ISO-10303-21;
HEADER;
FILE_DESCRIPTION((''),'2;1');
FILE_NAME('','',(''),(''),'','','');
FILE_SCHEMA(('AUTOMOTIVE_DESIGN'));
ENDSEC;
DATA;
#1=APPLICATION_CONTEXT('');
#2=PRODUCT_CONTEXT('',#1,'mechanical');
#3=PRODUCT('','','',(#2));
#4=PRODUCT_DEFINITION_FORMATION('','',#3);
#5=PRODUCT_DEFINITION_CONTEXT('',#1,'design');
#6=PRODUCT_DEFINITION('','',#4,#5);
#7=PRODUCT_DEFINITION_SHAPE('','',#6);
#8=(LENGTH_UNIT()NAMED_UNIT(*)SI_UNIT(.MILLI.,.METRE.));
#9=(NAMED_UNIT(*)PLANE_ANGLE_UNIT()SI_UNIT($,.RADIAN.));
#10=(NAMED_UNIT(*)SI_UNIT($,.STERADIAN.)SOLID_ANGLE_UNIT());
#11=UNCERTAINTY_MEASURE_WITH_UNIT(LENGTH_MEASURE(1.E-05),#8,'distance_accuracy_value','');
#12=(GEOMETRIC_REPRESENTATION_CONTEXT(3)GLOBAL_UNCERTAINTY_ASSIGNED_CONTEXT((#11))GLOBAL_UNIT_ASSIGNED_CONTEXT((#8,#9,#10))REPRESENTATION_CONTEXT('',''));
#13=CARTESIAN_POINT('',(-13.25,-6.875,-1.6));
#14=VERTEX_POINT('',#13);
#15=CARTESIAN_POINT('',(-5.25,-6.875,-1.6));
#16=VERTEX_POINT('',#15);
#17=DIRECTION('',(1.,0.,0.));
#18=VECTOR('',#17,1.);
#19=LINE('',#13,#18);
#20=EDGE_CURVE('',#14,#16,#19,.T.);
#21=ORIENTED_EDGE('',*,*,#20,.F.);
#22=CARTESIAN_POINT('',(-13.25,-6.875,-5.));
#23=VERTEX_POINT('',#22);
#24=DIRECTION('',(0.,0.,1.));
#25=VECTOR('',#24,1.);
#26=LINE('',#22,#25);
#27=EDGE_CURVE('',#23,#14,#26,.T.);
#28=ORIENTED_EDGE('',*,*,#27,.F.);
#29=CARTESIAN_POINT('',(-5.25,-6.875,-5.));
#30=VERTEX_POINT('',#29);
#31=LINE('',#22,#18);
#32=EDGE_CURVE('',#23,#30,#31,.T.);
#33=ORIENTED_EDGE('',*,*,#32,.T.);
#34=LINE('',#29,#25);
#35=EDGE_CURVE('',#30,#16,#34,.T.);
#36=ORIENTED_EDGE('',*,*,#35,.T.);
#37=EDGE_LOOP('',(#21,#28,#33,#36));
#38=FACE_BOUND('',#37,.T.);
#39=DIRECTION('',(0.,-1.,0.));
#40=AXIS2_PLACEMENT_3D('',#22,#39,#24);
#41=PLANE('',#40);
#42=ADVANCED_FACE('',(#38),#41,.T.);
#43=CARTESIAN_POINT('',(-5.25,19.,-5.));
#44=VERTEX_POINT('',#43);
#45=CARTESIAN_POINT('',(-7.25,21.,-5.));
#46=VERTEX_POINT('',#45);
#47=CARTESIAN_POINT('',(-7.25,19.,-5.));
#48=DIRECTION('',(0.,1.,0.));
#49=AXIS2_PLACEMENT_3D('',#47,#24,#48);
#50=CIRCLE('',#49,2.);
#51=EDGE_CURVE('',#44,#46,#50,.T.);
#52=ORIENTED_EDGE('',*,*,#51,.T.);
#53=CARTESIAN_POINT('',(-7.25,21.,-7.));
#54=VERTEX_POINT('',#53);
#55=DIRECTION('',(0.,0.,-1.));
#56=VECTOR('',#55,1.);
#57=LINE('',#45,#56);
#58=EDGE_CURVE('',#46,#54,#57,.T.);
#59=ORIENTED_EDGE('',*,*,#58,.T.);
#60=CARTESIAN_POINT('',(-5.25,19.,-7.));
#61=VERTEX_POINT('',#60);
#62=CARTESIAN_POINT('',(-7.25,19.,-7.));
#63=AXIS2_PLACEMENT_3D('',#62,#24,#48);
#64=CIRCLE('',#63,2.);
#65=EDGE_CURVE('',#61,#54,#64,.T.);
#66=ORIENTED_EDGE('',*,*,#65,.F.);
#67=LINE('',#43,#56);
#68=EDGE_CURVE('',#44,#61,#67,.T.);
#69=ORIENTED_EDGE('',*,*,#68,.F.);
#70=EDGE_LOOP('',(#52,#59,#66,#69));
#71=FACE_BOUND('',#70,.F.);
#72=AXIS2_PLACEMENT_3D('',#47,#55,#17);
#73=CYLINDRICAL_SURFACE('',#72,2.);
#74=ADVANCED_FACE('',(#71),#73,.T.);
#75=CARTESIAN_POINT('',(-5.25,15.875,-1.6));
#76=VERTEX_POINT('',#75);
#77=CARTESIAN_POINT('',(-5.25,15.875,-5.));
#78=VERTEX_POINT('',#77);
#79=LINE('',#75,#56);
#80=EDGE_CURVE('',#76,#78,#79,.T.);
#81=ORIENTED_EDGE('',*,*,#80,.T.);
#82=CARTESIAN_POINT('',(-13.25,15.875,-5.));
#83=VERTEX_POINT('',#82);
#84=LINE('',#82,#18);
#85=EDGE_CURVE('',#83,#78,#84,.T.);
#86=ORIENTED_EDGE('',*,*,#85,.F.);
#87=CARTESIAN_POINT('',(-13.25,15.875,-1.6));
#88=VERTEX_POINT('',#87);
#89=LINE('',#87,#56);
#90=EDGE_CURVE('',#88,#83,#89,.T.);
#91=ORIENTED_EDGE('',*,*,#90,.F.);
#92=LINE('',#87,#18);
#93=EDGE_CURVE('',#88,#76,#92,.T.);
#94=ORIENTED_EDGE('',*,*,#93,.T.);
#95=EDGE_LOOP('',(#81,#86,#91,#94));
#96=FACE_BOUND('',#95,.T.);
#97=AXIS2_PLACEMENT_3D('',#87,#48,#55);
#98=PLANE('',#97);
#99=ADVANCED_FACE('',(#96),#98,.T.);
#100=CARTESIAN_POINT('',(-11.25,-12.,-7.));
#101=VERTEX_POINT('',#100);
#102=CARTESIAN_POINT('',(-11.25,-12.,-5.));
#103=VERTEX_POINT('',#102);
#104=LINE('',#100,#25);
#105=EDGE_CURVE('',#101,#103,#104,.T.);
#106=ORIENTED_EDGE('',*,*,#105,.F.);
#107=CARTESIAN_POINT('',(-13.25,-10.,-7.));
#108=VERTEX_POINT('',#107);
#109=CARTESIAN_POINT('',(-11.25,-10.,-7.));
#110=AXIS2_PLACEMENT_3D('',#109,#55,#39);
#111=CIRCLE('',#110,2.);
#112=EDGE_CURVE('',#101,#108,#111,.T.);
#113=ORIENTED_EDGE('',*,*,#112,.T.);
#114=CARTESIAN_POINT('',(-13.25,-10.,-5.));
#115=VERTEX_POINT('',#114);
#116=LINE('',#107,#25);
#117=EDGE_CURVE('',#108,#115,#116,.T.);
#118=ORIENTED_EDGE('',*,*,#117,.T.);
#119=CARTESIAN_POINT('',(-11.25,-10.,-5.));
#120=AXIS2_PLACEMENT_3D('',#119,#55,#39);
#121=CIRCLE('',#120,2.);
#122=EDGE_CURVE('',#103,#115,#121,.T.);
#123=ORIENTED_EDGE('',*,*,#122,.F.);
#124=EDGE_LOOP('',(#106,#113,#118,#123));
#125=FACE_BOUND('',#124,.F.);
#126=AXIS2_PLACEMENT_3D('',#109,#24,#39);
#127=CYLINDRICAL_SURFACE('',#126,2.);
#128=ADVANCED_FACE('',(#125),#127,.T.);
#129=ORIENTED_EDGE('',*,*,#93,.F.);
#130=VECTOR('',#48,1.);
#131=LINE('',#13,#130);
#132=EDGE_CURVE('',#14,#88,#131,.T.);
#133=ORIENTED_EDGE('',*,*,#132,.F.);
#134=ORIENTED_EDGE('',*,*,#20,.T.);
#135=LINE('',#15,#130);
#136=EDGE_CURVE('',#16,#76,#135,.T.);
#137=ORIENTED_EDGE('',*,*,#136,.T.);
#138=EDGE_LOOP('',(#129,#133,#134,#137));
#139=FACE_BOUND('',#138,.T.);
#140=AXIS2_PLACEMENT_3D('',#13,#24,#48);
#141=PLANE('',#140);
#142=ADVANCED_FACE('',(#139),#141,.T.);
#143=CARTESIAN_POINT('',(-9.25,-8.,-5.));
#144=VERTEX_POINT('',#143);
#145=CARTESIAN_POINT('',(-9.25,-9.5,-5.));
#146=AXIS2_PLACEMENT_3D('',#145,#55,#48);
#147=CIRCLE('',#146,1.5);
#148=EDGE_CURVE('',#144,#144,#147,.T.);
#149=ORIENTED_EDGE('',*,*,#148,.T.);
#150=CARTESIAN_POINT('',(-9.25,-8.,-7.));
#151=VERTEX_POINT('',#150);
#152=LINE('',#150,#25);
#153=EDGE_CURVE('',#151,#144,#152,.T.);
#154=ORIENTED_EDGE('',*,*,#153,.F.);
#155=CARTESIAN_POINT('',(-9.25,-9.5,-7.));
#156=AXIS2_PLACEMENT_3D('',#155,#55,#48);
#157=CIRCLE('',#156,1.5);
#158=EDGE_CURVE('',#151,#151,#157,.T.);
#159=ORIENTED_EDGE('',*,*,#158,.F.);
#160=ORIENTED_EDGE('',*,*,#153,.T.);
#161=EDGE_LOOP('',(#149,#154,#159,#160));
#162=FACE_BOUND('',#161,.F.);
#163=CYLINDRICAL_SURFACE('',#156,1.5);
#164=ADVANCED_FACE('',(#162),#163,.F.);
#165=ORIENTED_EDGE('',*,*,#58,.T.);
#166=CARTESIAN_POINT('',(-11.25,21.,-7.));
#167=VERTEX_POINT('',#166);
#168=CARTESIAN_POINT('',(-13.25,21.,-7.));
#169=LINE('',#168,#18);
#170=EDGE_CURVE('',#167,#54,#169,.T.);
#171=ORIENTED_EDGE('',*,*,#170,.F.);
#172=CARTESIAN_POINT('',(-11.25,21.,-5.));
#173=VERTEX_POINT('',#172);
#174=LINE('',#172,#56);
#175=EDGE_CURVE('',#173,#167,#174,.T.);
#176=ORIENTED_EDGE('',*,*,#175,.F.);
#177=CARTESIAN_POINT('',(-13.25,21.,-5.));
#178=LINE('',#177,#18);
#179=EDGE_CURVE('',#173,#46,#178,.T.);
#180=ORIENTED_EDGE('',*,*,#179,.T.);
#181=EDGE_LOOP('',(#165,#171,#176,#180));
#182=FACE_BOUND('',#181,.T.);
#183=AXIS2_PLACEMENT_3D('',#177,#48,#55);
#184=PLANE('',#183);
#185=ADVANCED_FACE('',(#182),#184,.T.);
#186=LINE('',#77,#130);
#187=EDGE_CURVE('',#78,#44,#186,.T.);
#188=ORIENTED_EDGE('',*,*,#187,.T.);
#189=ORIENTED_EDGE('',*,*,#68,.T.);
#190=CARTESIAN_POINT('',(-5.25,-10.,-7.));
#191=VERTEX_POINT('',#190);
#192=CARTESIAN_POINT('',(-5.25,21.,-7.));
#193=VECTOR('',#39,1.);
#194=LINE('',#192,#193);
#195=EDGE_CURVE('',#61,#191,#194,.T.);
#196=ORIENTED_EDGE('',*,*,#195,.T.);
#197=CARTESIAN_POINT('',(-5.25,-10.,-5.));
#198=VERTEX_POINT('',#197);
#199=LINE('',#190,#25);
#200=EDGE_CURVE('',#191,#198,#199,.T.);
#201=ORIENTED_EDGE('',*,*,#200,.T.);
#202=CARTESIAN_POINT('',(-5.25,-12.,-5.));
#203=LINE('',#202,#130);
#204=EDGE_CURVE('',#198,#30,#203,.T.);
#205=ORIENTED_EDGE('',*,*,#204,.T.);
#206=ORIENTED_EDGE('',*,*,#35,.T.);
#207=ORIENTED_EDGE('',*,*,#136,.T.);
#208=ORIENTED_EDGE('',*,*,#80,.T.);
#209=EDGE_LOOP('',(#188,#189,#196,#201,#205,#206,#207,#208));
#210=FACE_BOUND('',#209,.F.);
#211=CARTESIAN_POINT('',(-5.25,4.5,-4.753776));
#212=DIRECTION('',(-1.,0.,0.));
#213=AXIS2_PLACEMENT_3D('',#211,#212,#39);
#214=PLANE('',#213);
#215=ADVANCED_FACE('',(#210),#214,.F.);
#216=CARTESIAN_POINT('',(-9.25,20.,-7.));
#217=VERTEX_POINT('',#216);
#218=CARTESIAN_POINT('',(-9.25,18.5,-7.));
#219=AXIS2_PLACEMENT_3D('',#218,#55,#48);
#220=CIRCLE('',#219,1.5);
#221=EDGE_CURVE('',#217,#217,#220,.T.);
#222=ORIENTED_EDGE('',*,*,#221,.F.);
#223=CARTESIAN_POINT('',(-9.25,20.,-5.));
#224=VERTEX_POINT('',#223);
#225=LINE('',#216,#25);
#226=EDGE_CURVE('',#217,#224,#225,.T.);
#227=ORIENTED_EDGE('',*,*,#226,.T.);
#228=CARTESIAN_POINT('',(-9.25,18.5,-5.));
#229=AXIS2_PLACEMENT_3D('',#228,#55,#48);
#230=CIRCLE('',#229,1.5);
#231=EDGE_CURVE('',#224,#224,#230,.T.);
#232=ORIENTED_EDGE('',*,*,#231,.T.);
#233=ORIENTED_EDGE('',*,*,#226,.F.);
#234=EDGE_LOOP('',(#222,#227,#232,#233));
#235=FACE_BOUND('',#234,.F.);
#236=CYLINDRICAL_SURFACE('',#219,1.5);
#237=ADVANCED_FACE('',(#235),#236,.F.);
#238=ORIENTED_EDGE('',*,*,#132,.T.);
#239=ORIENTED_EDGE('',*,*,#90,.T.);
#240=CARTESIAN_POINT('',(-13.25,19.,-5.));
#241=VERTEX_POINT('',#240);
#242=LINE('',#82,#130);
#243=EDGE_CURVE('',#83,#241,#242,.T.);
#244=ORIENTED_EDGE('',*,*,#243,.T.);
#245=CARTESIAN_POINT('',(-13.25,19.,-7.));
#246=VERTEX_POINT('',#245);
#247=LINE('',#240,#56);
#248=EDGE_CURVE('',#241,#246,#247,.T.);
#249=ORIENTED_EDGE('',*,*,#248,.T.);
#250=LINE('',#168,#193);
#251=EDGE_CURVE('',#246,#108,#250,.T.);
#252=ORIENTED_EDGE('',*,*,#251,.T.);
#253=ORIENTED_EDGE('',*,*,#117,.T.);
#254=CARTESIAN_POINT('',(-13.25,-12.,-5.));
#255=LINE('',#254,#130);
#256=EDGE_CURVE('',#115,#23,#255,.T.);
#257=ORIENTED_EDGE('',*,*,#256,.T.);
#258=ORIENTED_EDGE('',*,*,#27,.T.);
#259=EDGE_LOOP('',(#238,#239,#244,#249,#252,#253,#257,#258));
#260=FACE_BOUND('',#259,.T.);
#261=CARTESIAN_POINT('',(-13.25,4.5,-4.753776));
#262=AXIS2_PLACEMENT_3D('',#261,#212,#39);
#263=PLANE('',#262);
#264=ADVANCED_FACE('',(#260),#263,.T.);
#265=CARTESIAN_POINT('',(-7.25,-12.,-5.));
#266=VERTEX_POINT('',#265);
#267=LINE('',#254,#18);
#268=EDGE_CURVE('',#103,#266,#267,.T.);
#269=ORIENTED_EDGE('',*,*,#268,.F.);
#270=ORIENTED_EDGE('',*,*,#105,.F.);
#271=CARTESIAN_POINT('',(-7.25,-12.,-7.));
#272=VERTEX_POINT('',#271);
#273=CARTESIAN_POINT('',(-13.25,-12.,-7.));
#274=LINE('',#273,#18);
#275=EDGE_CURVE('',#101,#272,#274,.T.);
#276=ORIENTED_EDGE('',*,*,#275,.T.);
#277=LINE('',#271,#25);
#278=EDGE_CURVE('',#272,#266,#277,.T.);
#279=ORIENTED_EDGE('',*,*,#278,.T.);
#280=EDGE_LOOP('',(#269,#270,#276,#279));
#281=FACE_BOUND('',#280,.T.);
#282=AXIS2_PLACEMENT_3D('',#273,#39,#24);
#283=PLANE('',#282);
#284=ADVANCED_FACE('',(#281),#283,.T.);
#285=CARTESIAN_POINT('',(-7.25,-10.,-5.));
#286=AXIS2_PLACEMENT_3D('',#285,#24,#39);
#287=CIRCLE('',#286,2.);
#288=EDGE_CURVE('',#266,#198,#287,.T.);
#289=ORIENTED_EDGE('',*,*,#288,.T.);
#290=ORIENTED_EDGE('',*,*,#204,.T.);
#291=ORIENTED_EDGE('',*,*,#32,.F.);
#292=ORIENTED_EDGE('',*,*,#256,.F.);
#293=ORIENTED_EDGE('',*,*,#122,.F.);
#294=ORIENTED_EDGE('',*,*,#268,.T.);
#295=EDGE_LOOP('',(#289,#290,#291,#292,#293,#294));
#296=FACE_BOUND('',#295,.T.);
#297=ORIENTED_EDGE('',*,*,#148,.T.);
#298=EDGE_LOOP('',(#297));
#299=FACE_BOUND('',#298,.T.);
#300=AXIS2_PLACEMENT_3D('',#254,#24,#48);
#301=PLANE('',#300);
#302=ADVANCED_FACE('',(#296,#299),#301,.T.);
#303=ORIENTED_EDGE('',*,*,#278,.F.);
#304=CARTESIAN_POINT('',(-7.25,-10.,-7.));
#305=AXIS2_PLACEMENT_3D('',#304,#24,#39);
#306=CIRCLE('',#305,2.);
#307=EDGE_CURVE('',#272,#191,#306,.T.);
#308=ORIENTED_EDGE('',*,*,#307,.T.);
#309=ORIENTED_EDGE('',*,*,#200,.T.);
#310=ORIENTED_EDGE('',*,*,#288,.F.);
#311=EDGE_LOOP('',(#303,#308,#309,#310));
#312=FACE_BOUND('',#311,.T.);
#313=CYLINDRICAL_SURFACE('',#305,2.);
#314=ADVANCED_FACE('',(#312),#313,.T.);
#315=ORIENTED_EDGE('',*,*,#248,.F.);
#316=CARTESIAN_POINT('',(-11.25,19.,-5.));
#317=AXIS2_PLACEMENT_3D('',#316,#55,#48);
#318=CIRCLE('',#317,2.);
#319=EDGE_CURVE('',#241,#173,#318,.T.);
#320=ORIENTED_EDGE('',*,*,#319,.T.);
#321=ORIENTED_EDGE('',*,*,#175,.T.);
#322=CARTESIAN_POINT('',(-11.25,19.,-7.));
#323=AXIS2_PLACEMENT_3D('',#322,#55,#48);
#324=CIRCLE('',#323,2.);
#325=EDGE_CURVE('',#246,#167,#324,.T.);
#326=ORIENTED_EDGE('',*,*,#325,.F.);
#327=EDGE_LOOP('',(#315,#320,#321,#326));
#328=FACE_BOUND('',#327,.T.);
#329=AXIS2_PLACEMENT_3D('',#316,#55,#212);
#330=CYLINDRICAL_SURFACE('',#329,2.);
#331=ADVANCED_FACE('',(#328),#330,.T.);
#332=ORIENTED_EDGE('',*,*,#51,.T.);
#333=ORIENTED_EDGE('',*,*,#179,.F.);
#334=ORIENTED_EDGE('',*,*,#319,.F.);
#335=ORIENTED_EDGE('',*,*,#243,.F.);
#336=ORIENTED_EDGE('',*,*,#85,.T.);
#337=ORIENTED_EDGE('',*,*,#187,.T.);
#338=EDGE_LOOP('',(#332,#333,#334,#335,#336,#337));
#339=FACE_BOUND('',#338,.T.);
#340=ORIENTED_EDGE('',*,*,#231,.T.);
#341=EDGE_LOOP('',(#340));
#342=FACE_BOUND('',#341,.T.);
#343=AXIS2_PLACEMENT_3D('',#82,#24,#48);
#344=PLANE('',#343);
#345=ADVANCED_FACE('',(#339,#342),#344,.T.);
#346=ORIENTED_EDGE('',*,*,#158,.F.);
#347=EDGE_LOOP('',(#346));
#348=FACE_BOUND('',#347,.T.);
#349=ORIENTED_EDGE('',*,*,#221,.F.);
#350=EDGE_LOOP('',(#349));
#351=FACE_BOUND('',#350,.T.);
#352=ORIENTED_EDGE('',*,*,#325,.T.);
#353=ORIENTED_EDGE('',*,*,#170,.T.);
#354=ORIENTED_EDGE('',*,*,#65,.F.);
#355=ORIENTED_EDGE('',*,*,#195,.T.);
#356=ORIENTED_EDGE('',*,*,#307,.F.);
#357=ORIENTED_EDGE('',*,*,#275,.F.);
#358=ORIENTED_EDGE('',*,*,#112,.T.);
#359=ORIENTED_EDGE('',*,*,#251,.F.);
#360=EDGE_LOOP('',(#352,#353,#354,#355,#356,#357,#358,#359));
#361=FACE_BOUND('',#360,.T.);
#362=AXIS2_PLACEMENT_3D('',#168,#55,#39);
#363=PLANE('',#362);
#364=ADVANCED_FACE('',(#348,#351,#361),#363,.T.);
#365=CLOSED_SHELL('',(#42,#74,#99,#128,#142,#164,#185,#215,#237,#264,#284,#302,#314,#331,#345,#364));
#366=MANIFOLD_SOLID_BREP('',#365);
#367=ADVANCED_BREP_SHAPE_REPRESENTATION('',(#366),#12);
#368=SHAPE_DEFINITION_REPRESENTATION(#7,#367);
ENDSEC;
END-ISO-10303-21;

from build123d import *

# Parameters (mm, degrees)
PAD003_DEPTH    = 8
SKETCH006_R     = 1.5
POCKET002_DEPTH = 5
FILLET003_R     = 2


with BuildPart() as part:
    # Sketch005 → Pad003 (new body)
    with BuildSketch(Plane.YZ):
        Polygon((-17, -5), (-11.875, -5), (-11.875, -1.6), (10.875, -1.6), (10.875, -5), (16, -5), (16, -7), (-17, -7), align=None)
    extrude(amount=PAD003_DEPTH)

    # Sketch006 (on Face7 of Pad003) → Pocket002 (cut)
    with BuildSketch(Plane.YX.offset(7)):
        with Locations((-14.5, 4)):
            Circle(SKETCH006_R)
        with Locations((13.5, 4)):
            Circle(SKETCH006_R)
    extrude(amount=-POCKET002_DEPTH, mode=Mode.SUBTRACT)

    # Fillet003
    fillet003_edges = [part.edges().sort_by_distance(p)[0] for p in [
        (8, -17, -6),
        (0, -17, -6),
        (8, 16, -6),
        (0, 16, -6),
    ]]
    fillet(fillet003_edges, radius=FILLET003_R)


with BuildPart() as part_1:
    # Body002 placement: moved
    add(part.part.moved(Location((-13.25, 5, 0))))


solid = part_1.part
